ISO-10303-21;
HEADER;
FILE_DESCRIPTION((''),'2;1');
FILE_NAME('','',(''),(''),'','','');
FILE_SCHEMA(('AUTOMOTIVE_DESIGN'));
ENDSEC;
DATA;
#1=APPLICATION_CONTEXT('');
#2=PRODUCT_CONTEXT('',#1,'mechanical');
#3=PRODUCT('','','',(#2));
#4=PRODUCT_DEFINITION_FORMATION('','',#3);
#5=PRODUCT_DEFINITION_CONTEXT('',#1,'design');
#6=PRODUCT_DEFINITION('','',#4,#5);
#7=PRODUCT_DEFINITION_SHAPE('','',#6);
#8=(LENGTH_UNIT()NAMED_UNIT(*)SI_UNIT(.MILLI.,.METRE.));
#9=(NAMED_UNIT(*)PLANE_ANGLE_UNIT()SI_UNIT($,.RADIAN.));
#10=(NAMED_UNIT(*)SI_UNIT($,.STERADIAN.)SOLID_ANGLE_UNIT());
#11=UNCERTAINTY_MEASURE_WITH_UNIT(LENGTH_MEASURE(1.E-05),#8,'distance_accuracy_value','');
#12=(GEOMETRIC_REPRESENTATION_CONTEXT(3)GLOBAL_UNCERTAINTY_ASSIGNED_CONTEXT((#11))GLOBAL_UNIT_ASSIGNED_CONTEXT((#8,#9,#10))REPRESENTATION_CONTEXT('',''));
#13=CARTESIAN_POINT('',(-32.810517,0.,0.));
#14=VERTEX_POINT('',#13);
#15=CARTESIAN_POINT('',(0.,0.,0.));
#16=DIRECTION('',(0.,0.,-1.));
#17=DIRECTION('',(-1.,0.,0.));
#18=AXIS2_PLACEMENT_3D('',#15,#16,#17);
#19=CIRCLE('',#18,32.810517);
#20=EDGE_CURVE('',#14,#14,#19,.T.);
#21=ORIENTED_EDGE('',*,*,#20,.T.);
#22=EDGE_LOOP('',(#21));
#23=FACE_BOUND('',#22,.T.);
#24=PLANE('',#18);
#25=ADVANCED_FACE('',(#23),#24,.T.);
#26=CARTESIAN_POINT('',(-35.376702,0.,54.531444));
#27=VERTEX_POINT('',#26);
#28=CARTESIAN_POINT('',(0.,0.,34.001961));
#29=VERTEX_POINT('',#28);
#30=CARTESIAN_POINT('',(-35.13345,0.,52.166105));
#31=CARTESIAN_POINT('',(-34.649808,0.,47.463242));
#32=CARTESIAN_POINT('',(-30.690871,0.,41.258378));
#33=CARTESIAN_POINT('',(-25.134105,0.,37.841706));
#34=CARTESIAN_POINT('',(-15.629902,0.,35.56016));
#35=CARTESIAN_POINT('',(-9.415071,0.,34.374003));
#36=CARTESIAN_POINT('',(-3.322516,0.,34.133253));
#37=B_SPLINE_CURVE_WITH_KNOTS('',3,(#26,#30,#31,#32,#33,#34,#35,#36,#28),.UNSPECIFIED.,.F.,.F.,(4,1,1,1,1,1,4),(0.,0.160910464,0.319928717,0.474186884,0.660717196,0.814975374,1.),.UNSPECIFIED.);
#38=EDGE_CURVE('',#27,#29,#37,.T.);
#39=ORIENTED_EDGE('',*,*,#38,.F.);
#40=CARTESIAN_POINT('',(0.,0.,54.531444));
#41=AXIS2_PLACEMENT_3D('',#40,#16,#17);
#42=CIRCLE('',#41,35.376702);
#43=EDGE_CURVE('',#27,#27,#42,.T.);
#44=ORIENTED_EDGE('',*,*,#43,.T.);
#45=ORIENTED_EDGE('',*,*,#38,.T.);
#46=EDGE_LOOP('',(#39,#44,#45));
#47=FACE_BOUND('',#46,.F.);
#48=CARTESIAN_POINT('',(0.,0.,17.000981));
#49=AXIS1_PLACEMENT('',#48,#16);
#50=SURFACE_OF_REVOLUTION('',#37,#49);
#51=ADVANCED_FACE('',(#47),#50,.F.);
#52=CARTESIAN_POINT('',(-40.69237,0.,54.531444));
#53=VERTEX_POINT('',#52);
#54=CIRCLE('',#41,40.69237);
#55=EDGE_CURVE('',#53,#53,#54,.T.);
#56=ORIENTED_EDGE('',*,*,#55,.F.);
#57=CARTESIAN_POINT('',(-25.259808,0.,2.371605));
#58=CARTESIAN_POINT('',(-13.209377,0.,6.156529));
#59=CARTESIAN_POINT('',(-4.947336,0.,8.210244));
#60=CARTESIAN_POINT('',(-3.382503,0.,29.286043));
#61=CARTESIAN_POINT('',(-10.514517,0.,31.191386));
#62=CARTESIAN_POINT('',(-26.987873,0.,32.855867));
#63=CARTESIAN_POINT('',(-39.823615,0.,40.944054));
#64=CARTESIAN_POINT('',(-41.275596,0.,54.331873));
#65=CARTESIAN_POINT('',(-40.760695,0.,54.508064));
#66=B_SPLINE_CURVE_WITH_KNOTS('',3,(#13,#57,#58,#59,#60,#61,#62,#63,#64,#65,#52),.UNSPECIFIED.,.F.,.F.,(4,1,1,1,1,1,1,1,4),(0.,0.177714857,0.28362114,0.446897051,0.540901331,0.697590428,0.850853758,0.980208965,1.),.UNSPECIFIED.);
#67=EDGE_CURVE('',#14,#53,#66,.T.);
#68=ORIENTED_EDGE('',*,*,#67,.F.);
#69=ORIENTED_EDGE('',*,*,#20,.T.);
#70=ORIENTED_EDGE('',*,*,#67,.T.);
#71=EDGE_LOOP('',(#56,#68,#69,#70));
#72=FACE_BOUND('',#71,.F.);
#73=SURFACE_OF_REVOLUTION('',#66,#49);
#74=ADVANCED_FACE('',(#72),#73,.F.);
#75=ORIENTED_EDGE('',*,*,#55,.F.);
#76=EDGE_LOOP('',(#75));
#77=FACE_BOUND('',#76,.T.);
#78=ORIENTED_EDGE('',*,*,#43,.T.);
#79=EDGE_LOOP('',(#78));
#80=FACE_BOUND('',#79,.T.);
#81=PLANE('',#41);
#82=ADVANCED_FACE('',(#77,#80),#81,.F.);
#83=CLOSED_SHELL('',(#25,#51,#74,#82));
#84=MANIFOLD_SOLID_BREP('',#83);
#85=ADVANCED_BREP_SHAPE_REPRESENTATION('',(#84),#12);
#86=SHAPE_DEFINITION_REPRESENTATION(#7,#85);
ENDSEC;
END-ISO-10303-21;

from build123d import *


with BuildPart() as f1:
    # F0 (on Front) → F1 (revolve)
    with BuildSketch(Plane.XZ):
        with BuildLine():
            Line((-26.9449483603, 0), (0, 0))
            Line((0, 0), (0, 34.0019613504))
            add(Edge.make_bspline(
                [(-35.376701504, 54.5314438641), (-35.1334500904, 52.1661048529), (-34.6498077551, 47.4632418082), (-30.6908712831, 41.2583778923), (-25.1341054141, 37.8417062864), (-15.6299020213, 35.5601602115), (-9.4150707023, 34.3740033813), (-3.3225162078, 34.1332525236), (0, 34.0019613504)],
                knots=[0, 0, 0, 0, 0.1609104639, 0.3199287166, 0.4741868838, 0.6607171956, 0.814975374, 1, 1, 1, 1], degree=3))
            Line((-35.376701504, 54.5314438641), (-40.6923703849, 54.5314438641))
            add(Edge.make_bspline(
                [(-32.8105166554, 0), (-25.259807926, 2.3716047717), (-13.2093769887, 6.1565288809), (-4.9473363439, 8.2102444173), (-3.3825027765, 29.2860425099), (-10.5145165406, 31.1913860986), (-26.9878732098, 32.8558672694), (-39.8236147405, 40.9440543029), (-41.2755956877, 54.3318731223), (-40.7606953421, 54.508064113), (-40.6923703849, 54.5314438641)],
                knots=[0, 0, 0, 0, 0.1777148572, 0.2836211395, 0.4468970505, 0.5409013313, 0.6975904278, 0.8508537577, 0.9802089653, 1, 1, 1, 1], degree=3))
            Line((-32.8105166554, 0), (-26.9449483603, 0))
        make_face()
    revolve(axis=Axis((0, 0, 17.0009806752), (0, 0, -1)))


solid = f1.part
